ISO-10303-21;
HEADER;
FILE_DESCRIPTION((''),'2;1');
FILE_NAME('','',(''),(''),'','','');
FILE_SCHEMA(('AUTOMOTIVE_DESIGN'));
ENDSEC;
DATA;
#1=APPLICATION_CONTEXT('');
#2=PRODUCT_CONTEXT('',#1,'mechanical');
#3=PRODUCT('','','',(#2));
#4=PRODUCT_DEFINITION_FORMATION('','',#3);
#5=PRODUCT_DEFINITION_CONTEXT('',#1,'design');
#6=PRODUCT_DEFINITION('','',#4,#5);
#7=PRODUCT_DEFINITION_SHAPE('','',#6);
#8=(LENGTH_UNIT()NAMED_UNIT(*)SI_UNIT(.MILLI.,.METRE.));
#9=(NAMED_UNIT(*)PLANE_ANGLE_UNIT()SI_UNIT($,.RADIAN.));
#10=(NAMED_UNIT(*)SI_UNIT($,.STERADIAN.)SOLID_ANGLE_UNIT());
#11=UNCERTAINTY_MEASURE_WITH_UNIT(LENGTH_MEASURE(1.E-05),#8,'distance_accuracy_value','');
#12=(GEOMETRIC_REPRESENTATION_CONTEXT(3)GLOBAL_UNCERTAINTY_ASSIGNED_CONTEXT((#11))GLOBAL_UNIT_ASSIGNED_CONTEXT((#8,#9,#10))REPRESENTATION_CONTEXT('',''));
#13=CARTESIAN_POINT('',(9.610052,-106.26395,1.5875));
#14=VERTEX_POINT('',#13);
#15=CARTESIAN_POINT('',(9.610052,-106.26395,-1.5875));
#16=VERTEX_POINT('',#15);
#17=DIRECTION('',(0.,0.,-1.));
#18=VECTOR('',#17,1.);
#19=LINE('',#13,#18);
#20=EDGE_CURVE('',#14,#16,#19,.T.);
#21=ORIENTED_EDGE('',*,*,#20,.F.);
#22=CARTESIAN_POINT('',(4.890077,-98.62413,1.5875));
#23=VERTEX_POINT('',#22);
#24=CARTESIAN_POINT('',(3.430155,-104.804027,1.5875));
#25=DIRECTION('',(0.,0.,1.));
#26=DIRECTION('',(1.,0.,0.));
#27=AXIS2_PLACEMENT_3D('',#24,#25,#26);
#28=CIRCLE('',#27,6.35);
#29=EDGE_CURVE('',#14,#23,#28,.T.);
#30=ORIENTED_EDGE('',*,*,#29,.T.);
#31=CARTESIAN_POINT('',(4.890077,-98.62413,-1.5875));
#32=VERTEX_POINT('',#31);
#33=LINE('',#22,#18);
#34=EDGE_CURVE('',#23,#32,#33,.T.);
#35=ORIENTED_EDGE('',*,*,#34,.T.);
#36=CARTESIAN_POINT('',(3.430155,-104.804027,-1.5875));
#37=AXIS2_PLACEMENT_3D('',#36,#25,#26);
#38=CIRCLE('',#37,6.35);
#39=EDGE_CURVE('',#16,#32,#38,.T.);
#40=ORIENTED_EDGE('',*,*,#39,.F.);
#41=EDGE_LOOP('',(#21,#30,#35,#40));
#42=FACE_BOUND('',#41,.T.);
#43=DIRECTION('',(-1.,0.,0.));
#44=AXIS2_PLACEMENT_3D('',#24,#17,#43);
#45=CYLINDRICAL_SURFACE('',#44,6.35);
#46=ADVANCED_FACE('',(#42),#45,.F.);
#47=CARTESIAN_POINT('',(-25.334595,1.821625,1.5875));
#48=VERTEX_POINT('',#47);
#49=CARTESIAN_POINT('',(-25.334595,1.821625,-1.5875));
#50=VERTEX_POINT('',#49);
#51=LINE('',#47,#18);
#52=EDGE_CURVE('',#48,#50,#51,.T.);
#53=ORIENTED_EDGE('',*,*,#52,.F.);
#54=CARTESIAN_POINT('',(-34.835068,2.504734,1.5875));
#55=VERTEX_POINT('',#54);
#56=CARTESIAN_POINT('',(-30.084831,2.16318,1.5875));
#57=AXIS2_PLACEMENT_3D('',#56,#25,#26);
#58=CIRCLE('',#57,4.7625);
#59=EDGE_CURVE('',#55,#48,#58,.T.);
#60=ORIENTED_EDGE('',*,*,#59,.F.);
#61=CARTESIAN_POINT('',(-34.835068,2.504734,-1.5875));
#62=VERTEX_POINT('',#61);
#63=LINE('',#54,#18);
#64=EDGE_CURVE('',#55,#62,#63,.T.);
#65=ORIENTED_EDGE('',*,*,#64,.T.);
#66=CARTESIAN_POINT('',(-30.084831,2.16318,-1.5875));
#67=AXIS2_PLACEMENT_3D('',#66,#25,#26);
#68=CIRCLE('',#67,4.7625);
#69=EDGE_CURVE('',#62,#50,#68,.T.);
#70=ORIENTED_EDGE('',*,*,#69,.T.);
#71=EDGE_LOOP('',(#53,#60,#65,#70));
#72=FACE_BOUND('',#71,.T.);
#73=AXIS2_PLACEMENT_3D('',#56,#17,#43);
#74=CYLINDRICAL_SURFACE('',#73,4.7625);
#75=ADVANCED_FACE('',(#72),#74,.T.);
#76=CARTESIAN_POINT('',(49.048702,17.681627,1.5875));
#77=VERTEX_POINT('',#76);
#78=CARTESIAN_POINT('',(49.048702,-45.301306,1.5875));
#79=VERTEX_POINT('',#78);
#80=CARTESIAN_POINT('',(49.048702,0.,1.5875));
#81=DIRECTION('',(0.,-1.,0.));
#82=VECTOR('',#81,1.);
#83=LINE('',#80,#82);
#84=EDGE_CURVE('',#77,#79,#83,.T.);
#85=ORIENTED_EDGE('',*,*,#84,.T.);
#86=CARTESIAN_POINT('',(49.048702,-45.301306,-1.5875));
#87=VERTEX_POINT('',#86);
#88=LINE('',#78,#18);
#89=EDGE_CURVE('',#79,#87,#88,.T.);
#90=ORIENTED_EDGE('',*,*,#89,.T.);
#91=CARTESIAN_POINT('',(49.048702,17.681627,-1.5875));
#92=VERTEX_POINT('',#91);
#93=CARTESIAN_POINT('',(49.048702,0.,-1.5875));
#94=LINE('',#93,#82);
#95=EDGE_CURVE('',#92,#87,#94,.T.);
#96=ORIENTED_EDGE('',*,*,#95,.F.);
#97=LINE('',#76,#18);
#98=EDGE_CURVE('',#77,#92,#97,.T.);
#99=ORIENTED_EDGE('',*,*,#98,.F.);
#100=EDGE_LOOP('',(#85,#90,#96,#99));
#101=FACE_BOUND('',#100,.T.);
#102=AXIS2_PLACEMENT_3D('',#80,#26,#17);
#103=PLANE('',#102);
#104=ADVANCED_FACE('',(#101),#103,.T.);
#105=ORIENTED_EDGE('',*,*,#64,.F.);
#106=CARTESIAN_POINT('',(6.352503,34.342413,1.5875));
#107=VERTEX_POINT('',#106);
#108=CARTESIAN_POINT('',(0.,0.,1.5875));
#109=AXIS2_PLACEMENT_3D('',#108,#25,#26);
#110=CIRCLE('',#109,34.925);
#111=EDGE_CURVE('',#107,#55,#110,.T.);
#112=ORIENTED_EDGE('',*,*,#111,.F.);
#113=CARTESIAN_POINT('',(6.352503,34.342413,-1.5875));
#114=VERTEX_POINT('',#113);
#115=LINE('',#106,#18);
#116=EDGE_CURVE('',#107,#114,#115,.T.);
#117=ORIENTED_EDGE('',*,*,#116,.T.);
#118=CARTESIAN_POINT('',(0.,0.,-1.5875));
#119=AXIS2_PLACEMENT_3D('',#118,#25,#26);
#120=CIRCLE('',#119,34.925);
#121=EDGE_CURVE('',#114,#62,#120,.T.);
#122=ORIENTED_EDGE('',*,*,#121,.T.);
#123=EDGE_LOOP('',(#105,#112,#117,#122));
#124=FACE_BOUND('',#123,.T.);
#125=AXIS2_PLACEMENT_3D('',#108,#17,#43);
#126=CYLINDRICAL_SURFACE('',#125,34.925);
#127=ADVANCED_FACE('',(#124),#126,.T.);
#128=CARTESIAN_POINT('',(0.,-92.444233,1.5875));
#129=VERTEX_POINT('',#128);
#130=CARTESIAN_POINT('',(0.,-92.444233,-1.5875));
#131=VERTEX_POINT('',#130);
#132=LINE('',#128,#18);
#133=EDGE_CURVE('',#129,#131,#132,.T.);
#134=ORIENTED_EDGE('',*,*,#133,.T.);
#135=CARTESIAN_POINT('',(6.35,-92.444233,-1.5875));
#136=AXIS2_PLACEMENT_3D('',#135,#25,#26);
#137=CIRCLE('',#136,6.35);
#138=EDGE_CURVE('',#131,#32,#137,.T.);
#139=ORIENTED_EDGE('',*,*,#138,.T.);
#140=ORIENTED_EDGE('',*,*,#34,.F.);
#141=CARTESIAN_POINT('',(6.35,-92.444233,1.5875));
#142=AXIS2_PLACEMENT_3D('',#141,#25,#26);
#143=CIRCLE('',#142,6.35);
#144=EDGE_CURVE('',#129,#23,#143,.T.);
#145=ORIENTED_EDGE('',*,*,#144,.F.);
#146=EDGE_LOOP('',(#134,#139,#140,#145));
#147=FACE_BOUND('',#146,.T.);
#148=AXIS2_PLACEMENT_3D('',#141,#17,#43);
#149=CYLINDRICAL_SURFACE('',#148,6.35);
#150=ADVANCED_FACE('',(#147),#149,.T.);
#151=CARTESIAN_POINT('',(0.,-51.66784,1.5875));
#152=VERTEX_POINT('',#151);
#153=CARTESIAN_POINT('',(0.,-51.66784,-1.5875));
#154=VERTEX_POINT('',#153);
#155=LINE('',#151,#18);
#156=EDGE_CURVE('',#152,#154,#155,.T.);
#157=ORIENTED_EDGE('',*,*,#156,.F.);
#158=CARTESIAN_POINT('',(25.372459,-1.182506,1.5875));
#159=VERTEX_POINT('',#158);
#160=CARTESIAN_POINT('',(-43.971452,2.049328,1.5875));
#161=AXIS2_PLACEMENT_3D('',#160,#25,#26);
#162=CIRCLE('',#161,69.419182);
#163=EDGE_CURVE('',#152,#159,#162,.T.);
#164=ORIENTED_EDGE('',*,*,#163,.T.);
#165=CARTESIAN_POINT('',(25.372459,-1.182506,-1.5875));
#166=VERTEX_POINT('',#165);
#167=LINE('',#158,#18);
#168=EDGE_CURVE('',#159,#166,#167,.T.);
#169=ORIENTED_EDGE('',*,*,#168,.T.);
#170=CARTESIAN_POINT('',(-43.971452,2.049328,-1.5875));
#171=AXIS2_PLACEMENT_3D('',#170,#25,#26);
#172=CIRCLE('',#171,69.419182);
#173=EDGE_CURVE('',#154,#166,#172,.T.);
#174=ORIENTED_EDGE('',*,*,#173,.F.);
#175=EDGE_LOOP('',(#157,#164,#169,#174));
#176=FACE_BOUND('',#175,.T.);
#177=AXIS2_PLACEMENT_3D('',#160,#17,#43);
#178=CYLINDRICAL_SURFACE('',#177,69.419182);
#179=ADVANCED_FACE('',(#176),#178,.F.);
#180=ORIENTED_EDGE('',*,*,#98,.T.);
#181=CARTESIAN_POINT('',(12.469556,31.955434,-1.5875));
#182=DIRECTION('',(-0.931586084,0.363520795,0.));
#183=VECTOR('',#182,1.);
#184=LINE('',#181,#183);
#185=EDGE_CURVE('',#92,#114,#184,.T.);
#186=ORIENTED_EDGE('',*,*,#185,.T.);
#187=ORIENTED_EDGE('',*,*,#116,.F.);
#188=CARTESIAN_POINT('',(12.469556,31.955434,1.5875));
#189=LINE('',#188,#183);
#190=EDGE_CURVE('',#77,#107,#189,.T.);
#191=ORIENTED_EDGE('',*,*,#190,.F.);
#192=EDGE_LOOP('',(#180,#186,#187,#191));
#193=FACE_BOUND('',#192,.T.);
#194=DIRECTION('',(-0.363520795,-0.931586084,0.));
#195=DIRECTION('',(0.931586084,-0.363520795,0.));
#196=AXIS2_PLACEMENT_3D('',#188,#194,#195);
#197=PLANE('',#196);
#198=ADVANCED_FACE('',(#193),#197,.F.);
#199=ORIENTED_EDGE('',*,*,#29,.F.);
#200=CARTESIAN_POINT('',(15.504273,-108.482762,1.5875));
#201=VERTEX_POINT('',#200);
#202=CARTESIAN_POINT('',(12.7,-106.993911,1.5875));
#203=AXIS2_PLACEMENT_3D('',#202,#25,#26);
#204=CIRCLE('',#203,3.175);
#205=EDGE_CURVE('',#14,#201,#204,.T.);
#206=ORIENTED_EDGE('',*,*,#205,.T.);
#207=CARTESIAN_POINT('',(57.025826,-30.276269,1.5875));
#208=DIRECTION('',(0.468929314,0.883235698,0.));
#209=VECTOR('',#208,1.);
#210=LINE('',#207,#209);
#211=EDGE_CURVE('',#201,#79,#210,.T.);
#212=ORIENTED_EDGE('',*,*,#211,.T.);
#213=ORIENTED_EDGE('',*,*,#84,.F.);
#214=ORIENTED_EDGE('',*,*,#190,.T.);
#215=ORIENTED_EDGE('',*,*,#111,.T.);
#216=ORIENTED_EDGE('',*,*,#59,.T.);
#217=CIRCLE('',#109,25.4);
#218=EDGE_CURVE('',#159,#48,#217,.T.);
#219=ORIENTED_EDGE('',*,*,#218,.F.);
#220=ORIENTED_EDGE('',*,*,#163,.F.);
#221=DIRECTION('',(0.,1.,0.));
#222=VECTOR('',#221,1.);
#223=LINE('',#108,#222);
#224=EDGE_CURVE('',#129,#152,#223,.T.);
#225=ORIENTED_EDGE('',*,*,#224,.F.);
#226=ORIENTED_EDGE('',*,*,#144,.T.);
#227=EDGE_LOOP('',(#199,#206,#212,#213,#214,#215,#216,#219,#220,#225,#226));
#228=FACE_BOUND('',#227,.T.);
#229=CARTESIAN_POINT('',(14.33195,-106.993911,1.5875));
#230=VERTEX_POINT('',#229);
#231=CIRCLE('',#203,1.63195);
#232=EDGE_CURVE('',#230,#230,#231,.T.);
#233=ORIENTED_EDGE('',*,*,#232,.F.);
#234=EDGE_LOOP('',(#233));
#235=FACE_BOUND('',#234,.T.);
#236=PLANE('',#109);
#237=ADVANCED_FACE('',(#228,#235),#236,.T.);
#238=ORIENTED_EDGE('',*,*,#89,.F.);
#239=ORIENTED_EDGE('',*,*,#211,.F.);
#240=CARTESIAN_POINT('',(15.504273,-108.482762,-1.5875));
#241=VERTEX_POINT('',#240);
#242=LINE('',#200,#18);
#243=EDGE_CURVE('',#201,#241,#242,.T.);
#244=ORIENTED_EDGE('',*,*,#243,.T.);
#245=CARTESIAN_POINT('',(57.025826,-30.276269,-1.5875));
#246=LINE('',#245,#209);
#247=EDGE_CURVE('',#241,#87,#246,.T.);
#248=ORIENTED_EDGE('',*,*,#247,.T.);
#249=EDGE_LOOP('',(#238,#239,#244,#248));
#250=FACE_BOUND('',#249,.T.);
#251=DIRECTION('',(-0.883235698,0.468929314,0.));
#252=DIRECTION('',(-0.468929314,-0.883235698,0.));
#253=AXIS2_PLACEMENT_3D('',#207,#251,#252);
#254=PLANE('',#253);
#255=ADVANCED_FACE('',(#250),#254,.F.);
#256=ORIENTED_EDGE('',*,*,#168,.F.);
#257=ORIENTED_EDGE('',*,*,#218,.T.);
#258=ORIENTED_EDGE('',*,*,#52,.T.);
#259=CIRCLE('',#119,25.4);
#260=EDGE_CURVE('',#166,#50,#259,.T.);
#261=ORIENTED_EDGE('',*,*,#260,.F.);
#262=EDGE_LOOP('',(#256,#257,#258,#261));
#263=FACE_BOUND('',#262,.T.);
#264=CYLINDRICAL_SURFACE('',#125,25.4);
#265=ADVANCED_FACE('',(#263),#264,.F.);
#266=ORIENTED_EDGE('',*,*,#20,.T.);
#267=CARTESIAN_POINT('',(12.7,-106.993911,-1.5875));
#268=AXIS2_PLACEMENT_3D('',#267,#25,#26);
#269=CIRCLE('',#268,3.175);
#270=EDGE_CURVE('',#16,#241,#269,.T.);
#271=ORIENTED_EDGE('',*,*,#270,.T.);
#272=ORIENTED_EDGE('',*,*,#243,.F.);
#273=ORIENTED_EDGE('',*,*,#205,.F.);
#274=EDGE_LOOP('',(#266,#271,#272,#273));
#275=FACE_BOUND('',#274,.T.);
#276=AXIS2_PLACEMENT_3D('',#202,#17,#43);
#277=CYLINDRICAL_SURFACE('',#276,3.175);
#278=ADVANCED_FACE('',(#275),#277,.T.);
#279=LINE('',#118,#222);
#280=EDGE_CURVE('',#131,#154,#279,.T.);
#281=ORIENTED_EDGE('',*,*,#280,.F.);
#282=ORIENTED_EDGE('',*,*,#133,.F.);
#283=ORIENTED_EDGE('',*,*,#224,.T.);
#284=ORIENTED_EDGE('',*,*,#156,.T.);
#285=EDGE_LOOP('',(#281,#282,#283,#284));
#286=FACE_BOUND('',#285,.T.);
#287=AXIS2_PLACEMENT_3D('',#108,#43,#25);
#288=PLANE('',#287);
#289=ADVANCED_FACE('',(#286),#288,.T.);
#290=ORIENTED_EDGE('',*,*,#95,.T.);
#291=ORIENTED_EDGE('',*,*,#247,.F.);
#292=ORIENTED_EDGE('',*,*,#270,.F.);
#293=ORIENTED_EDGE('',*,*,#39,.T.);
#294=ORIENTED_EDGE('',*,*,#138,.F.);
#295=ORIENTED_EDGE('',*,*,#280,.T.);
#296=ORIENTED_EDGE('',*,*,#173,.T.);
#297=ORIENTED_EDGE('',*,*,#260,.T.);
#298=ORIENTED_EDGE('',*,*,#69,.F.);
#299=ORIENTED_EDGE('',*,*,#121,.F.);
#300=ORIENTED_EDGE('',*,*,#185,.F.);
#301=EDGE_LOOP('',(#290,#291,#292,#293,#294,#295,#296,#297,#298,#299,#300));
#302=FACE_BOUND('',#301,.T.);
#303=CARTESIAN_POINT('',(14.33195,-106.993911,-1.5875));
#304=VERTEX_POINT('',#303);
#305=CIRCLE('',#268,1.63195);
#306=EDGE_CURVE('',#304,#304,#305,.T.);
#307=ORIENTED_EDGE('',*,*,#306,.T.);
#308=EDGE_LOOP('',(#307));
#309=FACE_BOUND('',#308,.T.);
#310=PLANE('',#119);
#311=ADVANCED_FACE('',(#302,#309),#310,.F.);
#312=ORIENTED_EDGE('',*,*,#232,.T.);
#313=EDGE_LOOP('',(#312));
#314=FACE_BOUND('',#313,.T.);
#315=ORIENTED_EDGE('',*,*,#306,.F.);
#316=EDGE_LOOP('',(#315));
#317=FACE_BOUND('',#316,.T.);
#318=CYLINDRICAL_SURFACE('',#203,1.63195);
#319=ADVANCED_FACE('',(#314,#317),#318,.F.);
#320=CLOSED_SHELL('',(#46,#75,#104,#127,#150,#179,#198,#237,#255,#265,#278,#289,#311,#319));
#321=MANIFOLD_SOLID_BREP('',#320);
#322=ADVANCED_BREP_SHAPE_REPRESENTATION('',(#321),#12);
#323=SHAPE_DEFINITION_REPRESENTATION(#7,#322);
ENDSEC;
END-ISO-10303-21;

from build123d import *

# Parameters (mm, degrees)
SKETCH1_R             = 6.35
SKETCH1_R_2           = 3.175
BOSS_EXTRUDE1_DEPTH   = 1.5875
F_4_CLEARANCE_HOLE1_D = 3.2639


with BuildPart() as part:
    # Sketch1 → Boss-Extrude1 (new body, symmetric)
    with BuildSketch(Plane.XY):
        with BuildLine():
            Line((49.048701781, -45.301306076), (49.048701781, 17.681627212))
            Line((49.048701781, 17.681627212), (6.35250271, 34.342413053))
            ThreePointArc((6.35250271, 34.342413053), (-21.3593907, 27.632083778), (-34.835067544, 2.504734358))
            ThreePointArc((-34.835067544, 2.504734358), (-30.426385746, -2.587056811), (-25.334594577, 1.821624988))
            ThreePointArc((-25.334594577, 1.821624988), (1.502184662, 25.355540642), (25.372459089, -1.182505722))
            ThreePointArc((25.372459089, -1.182505722), (18.055035291, -29.123378386), (0, -51.667840164))
            Line((0, -51.667840164), (0, -92.444233417))
            ThreePointArc((0, -92.444233417), (6.35, -86.094233417), (12.7, -92.444233417))
            ThreePointArc((12.7, -92.444233417), (10.290303985, -97.423842288), (4.89007732, -98.624130323))
            ThreePointArc((4.89007732, -98.624130323), (8.832322877, -101.466501446), (9.610051547, -106.263949908))
            ThreePointArc((9.610051547, -106.263949908), (13.067449766, -103.840245814), (15.875, -106.993911248))
            ThreePointArc((15.875, -106.993911248), (15.780924606, -107.761067405), (15.504273342, -108.482761819))
            Line((15.504273342, -108.482761819), (49.048701781, -45.301306076))
        make_face()
        with Locations((6.35, -92.444233417)):
            Circle(SKETCH1_R)
        with Locations((12.7, -106.993911248)):
            Circle(SKETCH1_R_2)
    extrude(amount=BOSS_EXTRUDE1_DEPTH, both=True)

    # #4 Clearance Hole1 (through all)
    with Locations(Plane.XY.offset(1.5875)):
        with Locations((12.7, -106.993911248)):
            Hole(F_4_CLEARANCE_HOLE1_D / 2)


solid = part.part
